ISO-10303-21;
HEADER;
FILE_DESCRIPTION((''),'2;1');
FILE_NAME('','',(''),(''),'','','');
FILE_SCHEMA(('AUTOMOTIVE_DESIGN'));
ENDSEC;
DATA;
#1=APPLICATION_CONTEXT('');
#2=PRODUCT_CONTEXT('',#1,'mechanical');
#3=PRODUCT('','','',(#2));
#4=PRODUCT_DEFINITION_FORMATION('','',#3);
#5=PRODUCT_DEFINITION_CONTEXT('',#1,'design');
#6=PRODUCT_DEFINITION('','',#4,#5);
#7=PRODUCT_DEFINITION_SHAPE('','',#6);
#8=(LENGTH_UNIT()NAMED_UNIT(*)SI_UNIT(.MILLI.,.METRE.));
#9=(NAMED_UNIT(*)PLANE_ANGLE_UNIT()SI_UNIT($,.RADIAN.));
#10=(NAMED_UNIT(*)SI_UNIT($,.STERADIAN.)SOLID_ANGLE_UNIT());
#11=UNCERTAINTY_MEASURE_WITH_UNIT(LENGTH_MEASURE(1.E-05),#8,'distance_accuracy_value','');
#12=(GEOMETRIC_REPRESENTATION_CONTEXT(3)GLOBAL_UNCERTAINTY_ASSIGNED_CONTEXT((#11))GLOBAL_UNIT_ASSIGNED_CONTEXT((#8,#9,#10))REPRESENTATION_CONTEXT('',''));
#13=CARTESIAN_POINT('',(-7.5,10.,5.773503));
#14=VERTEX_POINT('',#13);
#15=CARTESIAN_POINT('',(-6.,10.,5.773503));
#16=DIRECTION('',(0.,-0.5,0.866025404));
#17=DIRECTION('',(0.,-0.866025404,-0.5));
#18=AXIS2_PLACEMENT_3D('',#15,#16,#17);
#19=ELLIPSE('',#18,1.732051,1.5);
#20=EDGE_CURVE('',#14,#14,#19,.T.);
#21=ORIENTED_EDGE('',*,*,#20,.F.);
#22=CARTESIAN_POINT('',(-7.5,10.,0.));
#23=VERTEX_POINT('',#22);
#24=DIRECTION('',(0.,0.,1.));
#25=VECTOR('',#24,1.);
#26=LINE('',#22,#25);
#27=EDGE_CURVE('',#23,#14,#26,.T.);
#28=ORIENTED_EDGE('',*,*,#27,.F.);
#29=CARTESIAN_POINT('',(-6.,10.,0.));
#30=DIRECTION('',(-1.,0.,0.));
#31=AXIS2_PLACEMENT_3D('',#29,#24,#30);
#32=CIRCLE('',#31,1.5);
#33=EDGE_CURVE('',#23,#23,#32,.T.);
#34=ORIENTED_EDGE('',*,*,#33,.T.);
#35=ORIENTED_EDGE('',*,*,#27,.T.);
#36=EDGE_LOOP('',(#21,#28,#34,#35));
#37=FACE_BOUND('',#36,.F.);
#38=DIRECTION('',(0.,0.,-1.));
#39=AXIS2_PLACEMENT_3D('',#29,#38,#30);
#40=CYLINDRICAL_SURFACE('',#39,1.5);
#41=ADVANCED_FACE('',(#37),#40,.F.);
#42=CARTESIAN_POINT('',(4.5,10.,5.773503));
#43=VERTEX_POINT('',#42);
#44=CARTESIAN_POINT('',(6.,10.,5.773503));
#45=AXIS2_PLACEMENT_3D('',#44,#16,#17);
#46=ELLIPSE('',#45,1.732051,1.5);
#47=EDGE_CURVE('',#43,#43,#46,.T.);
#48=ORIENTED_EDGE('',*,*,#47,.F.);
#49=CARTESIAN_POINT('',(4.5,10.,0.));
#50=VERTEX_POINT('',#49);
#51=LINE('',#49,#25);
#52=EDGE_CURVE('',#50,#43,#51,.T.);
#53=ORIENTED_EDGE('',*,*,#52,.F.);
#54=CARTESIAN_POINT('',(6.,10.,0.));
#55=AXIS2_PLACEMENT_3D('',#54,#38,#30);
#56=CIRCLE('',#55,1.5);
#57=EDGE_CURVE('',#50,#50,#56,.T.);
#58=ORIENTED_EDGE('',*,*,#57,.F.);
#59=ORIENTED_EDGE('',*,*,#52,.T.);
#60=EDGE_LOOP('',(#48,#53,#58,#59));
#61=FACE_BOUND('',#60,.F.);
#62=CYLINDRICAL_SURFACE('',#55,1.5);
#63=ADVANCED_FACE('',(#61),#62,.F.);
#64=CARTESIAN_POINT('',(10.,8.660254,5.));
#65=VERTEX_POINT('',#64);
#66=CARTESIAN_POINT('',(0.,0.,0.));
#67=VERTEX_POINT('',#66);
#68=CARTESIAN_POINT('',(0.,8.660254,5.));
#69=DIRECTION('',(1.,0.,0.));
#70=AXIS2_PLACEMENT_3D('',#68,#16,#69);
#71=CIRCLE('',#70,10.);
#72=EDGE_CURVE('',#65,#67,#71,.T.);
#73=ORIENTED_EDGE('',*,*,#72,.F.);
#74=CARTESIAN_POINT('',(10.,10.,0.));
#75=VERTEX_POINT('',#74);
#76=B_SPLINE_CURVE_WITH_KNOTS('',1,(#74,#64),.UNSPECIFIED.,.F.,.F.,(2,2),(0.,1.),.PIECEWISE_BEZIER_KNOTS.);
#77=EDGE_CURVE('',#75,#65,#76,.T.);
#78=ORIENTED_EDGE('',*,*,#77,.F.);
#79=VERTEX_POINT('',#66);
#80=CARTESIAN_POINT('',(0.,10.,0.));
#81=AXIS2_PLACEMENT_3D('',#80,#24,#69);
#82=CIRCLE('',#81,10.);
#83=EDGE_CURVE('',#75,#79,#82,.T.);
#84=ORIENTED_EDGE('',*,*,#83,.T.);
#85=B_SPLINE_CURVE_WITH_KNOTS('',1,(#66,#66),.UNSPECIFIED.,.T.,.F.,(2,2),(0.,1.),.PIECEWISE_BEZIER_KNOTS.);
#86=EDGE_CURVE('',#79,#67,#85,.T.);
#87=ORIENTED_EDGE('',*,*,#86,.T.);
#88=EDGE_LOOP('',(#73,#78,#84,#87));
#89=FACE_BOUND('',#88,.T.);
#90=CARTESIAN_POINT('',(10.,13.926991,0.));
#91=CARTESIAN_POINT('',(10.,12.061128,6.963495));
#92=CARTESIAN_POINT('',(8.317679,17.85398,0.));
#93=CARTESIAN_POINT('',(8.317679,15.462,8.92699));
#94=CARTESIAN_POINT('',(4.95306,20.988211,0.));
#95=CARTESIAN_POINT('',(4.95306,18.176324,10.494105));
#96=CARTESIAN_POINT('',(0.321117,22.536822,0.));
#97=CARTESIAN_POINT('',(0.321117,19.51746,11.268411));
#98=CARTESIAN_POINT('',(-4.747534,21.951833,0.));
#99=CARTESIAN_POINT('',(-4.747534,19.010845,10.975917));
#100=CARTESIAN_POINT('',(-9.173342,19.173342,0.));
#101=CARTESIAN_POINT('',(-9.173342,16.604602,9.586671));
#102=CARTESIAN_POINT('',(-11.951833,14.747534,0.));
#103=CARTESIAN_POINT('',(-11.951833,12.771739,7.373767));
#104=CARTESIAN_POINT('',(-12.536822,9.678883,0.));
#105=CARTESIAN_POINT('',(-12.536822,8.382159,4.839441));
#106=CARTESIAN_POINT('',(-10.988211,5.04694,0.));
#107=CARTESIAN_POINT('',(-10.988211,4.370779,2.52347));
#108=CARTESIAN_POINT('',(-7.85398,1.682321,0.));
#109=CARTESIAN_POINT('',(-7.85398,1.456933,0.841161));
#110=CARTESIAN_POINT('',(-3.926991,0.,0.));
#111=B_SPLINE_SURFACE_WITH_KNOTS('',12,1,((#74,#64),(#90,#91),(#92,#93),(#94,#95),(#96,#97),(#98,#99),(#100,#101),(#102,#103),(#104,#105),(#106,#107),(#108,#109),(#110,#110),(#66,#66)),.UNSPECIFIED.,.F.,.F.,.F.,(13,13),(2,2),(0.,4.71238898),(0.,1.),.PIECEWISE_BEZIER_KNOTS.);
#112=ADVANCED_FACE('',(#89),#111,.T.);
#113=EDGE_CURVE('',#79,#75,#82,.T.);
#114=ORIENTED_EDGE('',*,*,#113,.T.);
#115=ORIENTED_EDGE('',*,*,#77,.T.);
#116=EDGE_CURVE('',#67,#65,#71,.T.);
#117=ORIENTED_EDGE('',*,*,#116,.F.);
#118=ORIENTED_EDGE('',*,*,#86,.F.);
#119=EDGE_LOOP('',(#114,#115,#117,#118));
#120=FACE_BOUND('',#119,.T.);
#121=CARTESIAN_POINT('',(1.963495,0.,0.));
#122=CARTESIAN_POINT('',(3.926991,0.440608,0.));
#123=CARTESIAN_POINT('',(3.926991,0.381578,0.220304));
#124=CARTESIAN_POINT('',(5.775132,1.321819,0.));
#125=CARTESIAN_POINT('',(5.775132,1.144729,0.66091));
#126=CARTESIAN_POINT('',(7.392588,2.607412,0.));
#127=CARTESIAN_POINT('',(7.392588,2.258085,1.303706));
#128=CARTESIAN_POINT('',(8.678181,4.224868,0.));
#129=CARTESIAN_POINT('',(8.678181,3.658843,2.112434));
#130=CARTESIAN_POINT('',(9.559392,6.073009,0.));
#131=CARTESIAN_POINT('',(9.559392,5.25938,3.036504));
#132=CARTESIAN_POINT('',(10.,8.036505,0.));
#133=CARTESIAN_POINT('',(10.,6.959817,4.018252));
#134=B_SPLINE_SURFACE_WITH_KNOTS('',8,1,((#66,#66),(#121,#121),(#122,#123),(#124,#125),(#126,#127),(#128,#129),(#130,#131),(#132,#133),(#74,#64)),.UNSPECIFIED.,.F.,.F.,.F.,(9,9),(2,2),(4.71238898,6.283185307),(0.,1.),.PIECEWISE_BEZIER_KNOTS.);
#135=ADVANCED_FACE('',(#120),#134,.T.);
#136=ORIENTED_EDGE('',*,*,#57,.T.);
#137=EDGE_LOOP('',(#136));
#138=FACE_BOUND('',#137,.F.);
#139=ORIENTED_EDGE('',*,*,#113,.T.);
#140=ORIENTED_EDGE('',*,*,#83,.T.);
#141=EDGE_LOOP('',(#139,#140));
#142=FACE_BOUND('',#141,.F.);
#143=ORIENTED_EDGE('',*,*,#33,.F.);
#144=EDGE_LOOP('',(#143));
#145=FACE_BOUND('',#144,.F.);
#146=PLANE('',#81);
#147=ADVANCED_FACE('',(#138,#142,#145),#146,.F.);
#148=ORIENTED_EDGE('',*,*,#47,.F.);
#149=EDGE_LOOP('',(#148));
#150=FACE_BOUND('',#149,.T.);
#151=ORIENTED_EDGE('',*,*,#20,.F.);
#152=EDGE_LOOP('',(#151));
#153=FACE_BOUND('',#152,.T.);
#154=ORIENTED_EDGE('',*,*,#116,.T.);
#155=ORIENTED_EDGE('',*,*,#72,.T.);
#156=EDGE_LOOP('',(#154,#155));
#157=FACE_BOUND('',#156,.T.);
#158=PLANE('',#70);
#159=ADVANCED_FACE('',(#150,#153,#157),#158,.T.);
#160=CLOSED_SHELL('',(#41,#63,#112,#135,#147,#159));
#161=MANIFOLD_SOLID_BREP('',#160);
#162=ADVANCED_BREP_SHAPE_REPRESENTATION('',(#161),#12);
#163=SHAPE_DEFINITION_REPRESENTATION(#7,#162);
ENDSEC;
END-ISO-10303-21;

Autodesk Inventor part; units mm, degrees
ref_plane "YZ Plane" through (0, 0, 0) normal (1, 0, 0) x (0, 1, 0)
ref_plane "XZ Plane" through (0, 0, 0) normal (0, 1, 0) x (-1, 0, 0)
sketch "Sketch1" plane through (0, 0, 0) normal (0, 0, 1) x (1, 0, 0)
  line L0 (0, 0) -> (0, 10)
  circle A0 centre (0, 10) radius 10
  dimension "d0" = 10
  dimension "d1" = 20
ref_plane "Work Plane1" through (0, 0, 0) normal (0, -0.5, 0.866) x (1, 0, 0)
sketch "Sketch2" plane through (0, 0, 0) normal (0, -0.5, 0.866) x (1, 0, 0)
  line L0 (0, 0) -> (0, 10)
  circle A0 centre (0, 10) radius 10
  dimension "d3" = 10
  dimension "d4" = 20
loft "Loft1" add profiles "Sketch1", "Sketch2"
sketch "Sketch3" plane through (0, 10, 0) normal (0, 0, -1) x (-1, 0, 0)
  line L0 (0, 0) -> (-6, 0)
  line L1 (0, 0) -> (6, 0)
  circle A0 centre (-6, 0) radius 1.5
  circle A1 centre (6, 0) radius 1.5
  point P0 (0, -10)
  dimension "d9" = 6
  dimension "d10" = 6
  dimension "d11" = 3
  dimension "d12" = 3
extrude "Extrusion1" cut sketch "Sketch3" against normal through all
properties part number "holder_d435_30deg"
